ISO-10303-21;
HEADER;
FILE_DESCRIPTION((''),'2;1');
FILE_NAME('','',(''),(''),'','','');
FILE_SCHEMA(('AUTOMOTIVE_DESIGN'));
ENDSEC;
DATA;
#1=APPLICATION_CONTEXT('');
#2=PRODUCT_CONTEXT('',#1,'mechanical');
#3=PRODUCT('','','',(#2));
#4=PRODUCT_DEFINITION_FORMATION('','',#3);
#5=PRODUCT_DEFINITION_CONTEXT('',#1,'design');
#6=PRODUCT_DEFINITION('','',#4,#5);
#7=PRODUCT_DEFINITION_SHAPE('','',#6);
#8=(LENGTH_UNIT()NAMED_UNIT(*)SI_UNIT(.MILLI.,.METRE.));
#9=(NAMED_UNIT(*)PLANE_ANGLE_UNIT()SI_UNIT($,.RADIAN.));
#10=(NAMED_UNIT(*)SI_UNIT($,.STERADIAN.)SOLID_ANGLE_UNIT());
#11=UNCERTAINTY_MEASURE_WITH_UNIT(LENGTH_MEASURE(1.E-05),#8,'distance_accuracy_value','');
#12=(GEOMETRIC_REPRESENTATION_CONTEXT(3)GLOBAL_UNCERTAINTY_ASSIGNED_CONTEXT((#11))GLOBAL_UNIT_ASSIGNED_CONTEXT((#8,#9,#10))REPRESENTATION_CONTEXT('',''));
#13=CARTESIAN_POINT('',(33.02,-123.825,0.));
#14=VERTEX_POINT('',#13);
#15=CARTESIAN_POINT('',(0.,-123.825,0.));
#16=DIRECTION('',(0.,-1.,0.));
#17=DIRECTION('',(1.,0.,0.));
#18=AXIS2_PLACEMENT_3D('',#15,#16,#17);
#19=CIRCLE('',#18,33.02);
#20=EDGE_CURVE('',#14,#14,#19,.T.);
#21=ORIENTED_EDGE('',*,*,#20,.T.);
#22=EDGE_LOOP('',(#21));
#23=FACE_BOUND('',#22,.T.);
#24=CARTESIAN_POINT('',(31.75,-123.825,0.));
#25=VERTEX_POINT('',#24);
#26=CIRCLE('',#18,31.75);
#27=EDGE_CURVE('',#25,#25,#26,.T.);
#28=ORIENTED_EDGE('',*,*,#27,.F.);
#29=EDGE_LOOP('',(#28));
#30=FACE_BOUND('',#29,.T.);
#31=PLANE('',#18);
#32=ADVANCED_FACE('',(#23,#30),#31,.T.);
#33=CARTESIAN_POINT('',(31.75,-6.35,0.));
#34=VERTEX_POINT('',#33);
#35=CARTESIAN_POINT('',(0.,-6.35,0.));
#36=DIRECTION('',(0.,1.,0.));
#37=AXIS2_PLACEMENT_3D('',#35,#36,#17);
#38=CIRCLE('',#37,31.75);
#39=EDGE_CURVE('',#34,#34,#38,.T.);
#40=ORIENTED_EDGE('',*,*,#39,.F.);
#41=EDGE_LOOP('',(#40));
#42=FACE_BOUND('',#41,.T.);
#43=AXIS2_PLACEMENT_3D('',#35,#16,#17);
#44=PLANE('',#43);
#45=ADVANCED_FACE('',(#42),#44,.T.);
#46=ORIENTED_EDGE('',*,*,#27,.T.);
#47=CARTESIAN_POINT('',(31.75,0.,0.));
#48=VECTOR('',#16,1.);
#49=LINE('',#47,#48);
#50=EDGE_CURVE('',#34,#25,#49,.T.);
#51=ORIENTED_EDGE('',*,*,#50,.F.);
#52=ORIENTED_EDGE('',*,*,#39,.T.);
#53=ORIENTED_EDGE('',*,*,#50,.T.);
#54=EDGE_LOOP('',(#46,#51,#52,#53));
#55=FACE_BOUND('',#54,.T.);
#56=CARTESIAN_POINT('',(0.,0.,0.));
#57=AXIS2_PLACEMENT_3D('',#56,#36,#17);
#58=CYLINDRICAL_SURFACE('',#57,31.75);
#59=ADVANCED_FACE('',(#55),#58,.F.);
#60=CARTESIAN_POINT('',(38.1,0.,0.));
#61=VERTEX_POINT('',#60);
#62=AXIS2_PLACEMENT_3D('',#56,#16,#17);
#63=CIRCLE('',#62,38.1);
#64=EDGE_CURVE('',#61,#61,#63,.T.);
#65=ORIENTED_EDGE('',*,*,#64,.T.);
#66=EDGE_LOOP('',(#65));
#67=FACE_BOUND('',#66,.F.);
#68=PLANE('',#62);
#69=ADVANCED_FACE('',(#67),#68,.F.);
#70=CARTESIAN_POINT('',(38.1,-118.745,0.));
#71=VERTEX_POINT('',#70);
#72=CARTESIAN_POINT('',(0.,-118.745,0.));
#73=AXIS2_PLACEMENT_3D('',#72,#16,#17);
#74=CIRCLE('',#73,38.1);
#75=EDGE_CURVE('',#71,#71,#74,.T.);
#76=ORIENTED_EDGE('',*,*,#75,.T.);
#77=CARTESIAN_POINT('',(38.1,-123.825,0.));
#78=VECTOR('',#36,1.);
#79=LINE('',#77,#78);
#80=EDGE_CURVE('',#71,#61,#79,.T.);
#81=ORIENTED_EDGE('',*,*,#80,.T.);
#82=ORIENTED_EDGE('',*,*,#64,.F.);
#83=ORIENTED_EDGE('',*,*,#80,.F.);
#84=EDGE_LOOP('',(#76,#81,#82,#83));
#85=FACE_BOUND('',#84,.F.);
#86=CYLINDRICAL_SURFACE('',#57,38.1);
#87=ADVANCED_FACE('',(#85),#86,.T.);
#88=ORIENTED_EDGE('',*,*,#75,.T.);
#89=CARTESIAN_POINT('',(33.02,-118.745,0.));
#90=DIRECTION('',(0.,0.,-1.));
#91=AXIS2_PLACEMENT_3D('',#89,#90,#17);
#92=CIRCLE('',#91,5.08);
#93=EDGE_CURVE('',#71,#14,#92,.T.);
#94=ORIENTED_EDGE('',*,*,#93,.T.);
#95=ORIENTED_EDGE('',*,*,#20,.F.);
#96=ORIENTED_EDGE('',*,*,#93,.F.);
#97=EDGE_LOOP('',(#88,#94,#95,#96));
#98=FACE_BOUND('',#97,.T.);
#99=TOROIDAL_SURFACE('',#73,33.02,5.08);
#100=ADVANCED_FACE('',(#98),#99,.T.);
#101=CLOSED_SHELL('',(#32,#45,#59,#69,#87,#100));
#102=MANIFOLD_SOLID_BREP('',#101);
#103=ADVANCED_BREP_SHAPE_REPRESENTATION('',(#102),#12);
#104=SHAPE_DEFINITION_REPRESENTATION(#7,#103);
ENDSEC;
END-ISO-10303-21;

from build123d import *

# Parameters (mm, degrees)
F0_R     = 38.1
F0_R_2   = 31.75
F1_DEPTH = 123.825
F2_R     = 38.1
F3_DEPTH = 6.35
F4_R     = 5.08


with BuildPart() as f1:
    # F0 (on Front) → F1 (new body)
    with BuildSketch(Plane.XZ):
        Circle(F0_R)
        Circle(F0_R_2, mode=Mode.SUBTRACT)
    extrude(amount=F1_DEPTH)

    # F2 (on Front) → F3 (join)
    with BuildSketch(Plane.XZ):
        Circle(F2_R)
    extrude(amount=F3_DEPTH)

    # F4
    f4_edges = [f1.edges().sort_by_distance(p)[0] for p in [
        (-38.1, -123.825, 0),
    ]]
    fillet(f4_edges, radius=F4_R)


solid = f1.part
